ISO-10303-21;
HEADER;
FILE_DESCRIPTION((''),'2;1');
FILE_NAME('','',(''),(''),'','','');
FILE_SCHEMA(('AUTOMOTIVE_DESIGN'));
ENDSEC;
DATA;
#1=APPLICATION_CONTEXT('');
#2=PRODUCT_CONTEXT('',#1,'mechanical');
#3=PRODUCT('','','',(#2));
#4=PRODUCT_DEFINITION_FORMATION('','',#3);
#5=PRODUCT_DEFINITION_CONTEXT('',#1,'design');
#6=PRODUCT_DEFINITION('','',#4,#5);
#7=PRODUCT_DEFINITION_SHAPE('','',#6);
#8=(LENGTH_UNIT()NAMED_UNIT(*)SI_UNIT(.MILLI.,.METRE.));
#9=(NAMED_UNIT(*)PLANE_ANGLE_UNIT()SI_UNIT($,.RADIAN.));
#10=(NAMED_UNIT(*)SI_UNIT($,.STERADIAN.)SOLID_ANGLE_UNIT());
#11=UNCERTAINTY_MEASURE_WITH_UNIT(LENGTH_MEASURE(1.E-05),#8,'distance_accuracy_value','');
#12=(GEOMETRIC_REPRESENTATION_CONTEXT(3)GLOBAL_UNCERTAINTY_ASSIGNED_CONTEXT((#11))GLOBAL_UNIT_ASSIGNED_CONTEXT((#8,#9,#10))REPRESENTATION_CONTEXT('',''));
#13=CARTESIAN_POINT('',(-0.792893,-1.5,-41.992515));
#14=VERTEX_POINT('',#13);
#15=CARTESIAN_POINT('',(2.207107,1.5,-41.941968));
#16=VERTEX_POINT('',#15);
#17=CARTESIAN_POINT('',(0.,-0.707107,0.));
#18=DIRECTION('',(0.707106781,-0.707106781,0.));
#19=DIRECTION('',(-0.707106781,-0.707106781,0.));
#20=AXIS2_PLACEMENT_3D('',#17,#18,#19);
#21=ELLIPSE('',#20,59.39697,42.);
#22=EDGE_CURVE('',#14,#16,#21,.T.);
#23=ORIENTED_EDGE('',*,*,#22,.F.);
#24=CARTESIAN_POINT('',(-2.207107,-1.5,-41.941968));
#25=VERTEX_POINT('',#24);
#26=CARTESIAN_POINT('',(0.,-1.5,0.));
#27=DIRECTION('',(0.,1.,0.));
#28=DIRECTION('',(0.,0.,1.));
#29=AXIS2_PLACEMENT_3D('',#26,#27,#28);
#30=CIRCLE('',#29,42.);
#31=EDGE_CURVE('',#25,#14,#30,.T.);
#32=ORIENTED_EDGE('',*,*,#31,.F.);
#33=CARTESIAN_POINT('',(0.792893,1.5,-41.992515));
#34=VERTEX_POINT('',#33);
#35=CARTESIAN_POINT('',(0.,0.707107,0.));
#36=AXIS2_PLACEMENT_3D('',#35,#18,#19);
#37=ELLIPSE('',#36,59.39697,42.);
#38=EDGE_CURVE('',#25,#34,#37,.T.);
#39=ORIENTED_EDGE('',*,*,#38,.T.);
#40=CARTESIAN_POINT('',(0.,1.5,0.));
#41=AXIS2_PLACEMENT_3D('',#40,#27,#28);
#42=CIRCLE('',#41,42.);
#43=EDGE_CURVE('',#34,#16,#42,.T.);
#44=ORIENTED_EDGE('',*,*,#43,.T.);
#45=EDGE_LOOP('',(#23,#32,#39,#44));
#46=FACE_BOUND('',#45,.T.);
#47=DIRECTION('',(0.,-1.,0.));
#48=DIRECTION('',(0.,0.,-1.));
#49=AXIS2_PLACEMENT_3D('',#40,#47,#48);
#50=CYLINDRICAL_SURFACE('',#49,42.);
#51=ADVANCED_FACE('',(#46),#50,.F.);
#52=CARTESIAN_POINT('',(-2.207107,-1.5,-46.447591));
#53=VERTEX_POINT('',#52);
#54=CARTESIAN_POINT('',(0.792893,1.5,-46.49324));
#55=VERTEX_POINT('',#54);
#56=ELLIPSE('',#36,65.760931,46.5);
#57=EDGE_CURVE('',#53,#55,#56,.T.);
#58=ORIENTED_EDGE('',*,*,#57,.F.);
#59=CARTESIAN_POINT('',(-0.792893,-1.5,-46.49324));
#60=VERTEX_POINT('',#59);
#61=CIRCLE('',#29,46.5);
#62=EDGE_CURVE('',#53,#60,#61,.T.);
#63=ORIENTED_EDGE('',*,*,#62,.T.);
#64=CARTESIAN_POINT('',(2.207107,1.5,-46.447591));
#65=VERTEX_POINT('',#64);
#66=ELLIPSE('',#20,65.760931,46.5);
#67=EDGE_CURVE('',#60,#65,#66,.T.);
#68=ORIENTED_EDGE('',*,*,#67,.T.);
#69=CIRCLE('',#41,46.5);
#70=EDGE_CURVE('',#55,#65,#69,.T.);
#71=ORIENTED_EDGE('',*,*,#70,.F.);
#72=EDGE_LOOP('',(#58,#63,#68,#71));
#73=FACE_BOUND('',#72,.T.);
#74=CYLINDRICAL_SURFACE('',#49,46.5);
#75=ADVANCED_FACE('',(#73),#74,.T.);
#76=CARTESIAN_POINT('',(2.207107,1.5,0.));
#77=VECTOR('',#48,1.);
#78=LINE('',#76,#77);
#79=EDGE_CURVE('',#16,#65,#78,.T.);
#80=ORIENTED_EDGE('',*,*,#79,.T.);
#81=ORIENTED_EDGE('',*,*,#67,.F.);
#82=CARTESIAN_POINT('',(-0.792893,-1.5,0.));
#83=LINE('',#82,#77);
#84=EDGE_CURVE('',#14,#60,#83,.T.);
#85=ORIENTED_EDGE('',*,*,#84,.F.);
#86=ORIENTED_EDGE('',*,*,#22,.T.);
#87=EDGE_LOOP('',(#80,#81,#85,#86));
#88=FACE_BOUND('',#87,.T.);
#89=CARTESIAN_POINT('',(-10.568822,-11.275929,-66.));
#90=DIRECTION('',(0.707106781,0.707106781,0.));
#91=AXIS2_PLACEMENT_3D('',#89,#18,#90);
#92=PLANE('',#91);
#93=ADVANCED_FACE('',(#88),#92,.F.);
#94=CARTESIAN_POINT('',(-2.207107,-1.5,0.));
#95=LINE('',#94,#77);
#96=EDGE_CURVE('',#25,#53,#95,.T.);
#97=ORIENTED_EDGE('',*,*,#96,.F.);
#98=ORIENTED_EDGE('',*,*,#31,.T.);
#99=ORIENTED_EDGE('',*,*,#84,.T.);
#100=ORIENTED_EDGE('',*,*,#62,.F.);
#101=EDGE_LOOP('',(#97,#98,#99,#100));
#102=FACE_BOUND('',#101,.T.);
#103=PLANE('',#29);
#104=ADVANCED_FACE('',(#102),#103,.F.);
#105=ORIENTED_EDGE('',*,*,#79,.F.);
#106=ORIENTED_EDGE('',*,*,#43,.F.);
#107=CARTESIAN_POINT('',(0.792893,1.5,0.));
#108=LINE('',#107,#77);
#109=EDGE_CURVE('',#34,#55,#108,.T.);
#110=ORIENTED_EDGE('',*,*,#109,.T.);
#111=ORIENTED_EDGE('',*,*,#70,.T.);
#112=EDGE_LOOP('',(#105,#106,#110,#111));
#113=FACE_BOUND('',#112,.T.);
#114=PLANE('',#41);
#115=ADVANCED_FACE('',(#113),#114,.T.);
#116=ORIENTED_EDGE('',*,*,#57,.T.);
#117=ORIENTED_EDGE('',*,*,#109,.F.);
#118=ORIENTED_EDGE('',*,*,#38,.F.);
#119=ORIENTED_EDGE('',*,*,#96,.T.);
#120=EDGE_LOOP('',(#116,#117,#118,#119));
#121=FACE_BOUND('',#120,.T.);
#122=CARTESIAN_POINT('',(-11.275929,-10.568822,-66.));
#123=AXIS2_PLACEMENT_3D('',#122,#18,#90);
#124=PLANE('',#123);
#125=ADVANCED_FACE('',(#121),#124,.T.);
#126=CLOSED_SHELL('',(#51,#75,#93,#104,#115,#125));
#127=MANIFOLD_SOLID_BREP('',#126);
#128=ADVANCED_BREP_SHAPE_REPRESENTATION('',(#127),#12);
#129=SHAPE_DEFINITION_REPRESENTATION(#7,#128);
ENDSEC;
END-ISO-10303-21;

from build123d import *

# Parameters (mm, degrees)
SKETCH5_R           = 46.5
SKETCH5_R_2         = 42
BOSS_EXTRUDE3_DEPTH = 1.5
CUT_EXTRUDE3_DEPTH  = 66


with BuildPart() as part:
    # Sketch5 → Boss-Extrude3 (new body, symmetric)
    with BuildSketch(Plane(origin=(0, 0, 0), x_dir=(1, 0, 0), z_dir=(0, 1, 0))):
        Circle(SKETCH5_R)
        Circle(SKETCH5_R_2, mode=Mode.SUBTRACT)
    extrude(amount=BOSS_EXTRUDE3_DEPTH, both=True)

    # Sketch6 → Cut-Extrude3 (cut)
    with BuildSketch(Plane.XY):
        Polygon((-10.568822045, -11.275928826), (11.275928826, 10.568822045), (10.568822045, 11.275928826), (-11.275928826, -10.568822045), align=None)
    extrude(amount=-CUT_EXTRUDE3_DEPTH, mode=Mode.SUBTRACT)


solid = part.part
